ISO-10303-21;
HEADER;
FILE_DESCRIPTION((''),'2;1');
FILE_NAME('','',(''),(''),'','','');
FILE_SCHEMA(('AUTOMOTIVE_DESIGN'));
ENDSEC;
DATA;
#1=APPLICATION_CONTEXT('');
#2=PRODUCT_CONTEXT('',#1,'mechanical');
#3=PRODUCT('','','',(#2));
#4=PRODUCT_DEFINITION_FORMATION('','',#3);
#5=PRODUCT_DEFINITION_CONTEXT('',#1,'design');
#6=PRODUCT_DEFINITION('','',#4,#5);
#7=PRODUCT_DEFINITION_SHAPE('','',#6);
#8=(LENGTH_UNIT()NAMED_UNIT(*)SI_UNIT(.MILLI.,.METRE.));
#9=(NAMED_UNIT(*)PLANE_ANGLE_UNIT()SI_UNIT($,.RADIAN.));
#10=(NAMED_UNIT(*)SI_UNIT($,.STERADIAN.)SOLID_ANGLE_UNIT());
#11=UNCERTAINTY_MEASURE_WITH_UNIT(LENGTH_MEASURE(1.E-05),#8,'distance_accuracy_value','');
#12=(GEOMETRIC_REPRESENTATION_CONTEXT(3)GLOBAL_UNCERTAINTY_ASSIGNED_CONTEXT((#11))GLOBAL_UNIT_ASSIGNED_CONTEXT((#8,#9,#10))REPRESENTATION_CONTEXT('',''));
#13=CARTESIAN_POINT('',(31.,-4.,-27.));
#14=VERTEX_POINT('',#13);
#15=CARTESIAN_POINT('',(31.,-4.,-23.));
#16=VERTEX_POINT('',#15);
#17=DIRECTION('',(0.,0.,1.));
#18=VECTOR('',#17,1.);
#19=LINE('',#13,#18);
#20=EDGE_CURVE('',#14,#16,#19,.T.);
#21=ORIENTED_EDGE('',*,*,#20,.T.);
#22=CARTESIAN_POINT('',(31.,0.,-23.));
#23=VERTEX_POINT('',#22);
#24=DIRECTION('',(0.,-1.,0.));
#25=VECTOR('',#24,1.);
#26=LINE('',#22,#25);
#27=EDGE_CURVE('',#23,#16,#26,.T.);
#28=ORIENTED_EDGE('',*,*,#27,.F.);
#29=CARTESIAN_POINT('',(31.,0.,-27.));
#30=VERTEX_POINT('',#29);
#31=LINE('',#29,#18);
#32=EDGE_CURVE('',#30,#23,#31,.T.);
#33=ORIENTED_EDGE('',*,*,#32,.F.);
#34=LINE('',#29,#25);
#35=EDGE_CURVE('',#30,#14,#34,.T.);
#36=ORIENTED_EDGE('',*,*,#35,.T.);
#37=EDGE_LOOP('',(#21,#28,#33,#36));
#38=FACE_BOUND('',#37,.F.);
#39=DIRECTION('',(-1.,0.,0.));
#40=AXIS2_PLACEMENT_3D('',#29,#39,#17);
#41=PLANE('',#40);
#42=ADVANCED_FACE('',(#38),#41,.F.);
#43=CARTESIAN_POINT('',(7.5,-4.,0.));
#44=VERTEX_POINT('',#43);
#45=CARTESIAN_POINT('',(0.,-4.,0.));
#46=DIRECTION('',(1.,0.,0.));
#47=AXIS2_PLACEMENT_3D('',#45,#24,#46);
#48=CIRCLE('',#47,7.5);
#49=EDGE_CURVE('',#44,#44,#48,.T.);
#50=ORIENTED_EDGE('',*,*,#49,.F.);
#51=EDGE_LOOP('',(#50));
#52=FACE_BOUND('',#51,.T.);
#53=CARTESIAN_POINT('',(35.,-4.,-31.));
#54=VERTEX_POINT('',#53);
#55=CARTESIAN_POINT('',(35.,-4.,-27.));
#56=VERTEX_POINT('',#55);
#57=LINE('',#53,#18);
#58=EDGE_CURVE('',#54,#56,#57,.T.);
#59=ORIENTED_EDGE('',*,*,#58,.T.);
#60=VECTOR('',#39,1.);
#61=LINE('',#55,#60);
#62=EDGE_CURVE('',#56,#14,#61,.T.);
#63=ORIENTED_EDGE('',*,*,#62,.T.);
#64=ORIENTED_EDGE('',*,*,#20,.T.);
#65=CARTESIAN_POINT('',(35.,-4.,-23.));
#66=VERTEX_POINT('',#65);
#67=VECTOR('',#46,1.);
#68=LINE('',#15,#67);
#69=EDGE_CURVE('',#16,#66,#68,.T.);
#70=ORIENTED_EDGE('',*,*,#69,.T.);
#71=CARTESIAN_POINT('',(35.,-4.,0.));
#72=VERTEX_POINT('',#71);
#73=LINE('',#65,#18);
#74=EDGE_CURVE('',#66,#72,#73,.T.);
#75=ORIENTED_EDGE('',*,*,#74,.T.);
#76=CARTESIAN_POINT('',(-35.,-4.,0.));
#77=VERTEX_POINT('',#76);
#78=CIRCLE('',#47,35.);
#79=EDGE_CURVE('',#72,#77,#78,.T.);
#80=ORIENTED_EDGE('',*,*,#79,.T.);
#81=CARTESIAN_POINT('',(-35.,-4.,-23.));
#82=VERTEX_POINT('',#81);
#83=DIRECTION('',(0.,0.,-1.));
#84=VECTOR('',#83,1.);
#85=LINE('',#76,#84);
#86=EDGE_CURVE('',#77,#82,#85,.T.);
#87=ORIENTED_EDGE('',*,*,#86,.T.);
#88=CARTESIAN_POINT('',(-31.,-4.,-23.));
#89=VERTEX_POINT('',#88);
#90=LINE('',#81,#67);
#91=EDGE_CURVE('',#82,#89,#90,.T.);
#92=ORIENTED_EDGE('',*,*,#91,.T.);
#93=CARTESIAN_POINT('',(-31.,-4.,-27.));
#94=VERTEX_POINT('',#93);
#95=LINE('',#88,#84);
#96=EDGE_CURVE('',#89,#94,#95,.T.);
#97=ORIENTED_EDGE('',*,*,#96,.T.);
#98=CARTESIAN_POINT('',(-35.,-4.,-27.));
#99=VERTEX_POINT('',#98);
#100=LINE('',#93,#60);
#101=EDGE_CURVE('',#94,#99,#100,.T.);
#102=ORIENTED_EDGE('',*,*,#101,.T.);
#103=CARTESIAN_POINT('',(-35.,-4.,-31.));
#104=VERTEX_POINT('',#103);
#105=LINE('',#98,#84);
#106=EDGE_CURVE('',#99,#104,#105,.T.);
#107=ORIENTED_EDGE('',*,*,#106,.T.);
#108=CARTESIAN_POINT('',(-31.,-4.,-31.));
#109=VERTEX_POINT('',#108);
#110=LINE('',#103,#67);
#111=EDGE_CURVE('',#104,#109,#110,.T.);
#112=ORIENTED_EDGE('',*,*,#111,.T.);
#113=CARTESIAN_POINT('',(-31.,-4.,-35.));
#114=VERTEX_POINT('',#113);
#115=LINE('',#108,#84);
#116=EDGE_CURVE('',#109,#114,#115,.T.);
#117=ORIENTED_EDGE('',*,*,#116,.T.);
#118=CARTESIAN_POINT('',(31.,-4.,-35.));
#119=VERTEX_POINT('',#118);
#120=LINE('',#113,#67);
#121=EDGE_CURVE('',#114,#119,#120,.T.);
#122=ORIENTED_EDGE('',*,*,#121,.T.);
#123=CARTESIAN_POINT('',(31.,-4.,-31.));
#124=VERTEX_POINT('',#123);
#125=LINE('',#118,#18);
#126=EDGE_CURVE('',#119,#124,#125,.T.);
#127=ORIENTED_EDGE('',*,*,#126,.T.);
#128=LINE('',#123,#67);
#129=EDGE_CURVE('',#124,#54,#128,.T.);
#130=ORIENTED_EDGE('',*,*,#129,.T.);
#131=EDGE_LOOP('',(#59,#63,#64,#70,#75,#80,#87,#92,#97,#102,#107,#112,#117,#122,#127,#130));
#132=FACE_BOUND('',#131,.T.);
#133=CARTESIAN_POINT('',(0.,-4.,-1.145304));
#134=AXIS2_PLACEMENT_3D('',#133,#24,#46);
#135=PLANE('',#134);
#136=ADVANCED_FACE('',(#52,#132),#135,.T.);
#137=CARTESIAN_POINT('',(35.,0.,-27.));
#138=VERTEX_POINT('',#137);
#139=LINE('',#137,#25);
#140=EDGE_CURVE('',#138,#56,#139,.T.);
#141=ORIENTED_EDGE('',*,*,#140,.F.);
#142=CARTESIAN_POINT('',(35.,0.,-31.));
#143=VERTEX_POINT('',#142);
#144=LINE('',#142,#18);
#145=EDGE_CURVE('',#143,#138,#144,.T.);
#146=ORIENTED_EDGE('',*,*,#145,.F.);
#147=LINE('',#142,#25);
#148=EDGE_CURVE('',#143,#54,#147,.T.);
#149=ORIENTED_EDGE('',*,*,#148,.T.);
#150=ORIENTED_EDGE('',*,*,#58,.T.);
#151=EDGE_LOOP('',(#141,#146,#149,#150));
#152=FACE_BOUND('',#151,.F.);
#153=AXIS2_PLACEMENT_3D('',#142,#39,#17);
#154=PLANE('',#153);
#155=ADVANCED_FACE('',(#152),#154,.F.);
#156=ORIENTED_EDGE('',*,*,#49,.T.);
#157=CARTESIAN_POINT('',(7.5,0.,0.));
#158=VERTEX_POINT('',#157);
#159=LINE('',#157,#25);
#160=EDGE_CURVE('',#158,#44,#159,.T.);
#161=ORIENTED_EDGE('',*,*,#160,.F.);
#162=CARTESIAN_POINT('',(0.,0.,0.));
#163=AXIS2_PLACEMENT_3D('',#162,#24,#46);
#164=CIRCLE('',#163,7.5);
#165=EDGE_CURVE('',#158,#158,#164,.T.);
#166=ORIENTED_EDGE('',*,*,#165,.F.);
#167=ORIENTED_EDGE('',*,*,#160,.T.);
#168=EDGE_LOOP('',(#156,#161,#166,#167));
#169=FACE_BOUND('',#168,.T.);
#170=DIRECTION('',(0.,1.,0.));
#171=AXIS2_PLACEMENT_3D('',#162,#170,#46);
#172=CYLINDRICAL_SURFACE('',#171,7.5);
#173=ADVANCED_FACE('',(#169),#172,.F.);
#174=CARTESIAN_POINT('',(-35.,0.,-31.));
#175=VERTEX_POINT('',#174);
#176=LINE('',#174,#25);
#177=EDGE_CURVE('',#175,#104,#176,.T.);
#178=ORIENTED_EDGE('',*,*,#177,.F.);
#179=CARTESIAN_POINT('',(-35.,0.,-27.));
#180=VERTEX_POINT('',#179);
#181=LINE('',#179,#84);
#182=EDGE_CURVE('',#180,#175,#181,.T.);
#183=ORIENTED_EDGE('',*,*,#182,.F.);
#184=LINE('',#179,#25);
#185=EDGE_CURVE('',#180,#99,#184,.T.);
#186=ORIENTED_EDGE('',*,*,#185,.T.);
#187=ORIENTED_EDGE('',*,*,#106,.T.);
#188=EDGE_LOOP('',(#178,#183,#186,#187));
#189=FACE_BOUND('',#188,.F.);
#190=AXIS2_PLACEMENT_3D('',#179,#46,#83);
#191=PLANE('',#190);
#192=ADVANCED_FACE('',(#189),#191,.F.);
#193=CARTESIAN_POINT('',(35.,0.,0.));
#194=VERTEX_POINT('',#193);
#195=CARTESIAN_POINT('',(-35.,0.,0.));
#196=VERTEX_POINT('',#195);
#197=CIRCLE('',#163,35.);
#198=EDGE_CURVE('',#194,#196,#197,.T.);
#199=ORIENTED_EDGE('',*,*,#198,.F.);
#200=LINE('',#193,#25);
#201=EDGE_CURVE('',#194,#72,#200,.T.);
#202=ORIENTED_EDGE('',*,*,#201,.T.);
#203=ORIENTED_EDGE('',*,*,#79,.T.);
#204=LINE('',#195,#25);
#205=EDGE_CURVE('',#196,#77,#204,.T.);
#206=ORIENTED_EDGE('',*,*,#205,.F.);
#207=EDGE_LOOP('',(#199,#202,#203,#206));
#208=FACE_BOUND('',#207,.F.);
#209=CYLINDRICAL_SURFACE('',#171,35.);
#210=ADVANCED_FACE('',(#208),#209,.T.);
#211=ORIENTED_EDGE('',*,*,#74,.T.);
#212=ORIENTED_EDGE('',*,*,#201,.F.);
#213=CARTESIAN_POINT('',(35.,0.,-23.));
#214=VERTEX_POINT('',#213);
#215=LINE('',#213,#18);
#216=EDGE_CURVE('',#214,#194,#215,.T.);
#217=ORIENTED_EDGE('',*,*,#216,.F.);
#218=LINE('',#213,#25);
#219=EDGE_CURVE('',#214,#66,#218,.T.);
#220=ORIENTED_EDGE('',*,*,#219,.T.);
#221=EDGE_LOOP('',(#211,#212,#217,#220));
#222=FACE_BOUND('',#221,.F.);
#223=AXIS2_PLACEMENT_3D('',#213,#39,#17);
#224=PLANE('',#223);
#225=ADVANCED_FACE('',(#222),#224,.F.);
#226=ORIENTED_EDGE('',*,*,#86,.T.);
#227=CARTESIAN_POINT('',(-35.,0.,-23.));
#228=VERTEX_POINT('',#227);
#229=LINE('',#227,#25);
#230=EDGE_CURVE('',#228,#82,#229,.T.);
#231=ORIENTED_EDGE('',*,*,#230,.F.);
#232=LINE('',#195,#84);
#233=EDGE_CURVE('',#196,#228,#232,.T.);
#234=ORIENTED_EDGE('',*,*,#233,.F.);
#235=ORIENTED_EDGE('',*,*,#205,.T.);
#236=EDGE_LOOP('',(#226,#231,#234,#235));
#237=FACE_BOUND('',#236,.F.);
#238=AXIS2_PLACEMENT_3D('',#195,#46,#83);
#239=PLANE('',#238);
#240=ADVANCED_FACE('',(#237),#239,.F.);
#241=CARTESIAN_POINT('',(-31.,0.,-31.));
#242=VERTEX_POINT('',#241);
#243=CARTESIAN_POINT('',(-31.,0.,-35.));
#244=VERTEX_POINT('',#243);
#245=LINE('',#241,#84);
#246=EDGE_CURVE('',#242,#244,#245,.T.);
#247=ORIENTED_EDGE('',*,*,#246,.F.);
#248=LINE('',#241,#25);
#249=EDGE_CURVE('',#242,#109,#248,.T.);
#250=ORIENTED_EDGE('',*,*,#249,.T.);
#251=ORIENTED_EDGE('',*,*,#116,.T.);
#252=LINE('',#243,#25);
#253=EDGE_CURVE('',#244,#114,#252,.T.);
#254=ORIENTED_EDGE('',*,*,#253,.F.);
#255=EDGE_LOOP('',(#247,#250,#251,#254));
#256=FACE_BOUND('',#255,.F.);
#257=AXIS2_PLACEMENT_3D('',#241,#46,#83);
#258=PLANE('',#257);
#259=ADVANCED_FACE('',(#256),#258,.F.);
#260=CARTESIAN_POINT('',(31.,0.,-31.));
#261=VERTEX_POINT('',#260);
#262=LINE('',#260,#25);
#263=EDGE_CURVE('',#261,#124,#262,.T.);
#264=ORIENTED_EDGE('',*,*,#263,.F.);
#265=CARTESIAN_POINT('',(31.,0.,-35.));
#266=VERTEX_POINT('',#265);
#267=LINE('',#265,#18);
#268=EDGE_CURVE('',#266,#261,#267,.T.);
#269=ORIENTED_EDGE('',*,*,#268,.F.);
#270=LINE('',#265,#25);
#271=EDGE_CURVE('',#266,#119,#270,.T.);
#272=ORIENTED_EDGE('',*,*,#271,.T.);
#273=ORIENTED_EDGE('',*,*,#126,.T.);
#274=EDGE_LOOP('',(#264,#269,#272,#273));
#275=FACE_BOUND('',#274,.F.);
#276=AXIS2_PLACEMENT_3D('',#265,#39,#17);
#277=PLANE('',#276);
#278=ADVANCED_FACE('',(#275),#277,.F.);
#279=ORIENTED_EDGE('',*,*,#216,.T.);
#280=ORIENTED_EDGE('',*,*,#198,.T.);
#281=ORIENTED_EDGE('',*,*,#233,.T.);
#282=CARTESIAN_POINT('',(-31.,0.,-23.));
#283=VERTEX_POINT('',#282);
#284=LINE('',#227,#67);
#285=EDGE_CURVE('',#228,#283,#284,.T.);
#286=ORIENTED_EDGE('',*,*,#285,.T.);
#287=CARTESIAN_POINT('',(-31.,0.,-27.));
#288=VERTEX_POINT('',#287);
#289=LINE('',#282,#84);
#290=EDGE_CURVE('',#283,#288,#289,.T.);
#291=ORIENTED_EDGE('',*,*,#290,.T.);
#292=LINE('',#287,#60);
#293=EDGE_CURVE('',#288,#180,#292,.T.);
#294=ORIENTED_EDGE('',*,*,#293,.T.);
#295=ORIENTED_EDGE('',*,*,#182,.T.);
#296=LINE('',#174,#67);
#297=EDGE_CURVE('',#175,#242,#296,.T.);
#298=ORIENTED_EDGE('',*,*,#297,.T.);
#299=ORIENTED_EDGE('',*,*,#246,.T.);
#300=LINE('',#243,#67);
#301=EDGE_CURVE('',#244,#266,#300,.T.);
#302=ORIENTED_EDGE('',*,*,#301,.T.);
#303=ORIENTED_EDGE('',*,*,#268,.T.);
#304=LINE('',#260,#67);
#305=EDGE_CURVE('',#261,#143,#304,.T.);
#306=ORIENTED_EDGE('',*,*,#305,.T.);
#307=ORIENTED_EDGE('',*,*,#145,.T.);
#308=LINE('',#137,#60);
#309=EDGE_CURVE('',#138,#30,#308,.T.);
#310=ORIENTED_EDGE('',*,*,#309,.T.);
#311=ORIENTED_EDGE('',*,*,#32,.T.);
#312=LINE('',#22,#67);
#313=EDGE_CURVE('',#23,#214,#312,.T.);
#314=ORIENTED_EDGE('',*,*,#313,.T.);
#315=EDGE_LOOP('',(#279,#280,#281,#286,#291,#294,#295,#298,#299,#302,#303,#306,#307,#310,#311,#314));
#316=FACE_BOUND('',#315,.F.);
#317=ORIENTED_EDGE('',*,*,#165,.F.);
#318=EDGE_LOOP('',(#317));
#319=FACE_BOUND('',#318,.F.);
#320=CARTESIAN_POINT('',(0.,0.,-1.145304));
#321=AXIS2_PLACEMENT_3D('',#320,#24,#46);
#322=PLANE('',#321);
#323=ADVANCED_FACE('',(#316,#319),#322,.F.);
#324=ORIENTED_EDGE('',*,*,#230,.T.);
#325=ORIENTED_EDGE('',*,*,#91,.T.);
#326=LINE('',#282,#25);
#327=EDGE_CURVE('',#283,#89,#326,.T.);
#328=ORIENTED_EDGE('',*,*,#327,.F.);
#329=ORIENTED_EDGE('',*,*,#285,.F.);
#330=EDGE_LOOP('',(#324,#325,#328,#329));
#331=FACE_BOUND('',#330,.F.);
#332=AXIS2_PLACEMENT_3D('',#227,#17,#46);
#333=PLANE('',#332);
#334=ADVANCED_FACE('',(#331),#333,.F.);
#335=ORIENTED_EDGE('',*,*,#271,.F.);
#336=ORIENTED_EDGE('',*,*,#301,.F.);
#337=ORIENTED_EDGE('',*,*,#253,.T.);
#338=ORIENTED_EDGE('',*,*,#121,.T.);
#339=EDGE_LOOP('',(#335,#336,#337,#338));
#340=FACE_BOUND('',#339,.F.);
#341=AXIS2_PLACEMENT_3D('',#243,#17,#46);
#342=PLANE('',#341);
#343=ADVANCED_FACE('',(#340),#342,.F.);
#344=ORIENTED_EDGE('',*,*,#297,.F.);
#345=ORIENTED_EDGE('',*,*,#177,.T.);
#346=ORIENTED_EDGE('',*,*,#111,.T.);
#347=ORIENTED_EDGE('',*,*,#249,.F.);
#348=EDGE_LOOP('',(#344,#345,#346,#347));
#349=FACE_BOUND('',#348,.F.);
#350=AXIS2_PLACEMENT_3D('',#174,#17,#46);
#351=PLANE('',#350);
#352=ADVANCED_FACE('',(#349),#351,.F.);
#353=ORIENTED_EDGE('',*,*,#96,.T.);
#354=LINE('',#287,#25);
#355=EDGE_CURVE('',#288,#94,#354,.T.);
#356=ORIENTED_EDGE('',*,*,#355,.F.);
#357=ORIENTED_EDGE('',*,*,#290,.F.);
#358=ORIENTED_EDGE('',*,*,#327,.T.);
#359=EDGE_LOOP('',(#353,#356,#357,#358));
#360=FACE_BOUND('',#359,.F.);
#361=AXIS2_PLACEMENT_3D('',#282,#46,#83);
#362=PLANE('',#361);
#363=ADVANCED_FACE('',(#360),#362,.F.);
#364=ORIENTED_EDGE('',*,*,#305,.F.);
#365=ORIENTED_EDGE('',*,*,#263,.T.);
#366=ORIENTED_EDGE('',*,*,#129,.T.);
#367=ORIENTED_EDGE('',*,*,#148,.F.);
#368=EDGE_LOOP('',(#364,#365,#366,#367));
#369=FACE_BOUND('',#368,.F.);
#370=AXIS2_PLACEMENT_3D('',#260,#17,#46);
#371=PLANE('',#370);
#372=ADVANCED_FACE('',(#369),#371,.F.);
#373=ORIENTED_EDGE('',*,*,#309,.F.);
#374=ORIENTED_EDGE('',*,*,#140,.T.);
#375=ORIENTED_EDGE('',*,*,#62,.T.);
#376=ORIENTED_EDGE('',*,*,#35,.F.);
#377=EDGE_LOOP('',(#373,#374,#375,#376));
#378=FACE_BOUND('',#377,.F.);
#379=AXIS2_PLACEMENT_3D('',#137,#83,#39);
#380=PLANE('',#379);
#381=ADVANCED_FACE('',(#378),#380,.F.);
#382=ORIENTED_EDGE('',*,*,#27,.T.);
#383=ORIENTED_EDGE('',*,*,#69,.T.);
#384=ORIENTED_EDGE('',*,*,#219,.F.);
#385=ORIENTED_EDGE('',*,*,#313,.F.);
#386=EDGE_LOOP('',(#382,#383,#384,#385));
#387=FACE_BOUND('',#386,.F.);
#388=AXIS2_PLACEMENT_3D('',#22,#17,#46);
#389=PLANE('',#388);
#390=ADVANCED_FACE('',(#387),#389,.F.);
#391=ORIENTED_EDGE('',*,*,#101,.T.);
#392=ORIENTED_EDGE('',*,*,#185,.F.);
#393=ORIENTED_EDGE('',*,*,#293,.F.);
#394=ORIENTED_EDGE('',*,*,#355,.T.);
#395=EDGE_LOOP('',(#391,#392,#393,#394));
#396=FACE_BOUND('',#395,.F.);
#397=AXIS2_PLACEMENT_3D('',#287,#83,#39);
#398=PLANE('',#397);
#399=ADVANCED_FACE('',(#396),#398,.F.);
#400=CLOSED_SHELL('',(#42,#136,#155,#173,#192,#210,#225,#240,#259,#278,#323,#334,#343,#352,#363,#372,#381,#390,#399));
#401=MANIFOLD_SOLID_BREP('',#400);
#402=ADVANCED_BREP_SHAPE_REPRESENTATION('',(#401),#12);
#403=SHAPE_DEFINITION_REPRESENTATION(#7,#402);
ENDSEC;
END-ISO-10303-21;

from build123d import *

# Parameters (mm, degrees)
F0_R     = 7.5
F1_DEPTH = 4


with BuildPart() as f1:
    # F0 (on Front) → F1 (new body)
    with BuildSketch(Plane.XZ):
        with BuildLine():
            ThreePointArc((0, -35), (24.748737, -24.748737), (35, 0))
            ThreePointArc((35, 0), (0, 35), (-35, 0))
            ThreePointArc((-35, 0), (-24.748737, -24.748737), (0, -35))
        make_face()
        Circle(F0_R, mode=Mode.SUBTRACT)
        with BuildLine():
            ThreePointArc((0, -35), (-24.748737, -24.748737), (-35, 0))
            Line((-35, 0), (-35, -23))
            Line((-35, -23), (-31, -23))
            Line((-31, -23), (-31, -27))
            Line((-31, -27), (-35, -27))
            Line((-35, -27), (-35, -31))
            Line((-35, -31), (-31, -31))
            Line((-31, -31), (-31, -35))
            Line((-31, -35), (0, -35))
        make_face()
        with BuildLine():
            Line((35, -23), (35, 0))
            ThreePointArc((35, 0), (24.748737, -24.748737), (0, -35))
            Line((0, -35), (31, -35))
            Line((31, -35), (31, -31))
            Line((31, -31), (35, -31))
            Line((35, -31), (35, -27))
            Line((35, -27), (31, -27))
            Line((31, -27), (31, -23))
            Line((31, -23), (35, -23))
        make_face()
    extrude(amount=F1_DEPTH)


solid = f1.part
